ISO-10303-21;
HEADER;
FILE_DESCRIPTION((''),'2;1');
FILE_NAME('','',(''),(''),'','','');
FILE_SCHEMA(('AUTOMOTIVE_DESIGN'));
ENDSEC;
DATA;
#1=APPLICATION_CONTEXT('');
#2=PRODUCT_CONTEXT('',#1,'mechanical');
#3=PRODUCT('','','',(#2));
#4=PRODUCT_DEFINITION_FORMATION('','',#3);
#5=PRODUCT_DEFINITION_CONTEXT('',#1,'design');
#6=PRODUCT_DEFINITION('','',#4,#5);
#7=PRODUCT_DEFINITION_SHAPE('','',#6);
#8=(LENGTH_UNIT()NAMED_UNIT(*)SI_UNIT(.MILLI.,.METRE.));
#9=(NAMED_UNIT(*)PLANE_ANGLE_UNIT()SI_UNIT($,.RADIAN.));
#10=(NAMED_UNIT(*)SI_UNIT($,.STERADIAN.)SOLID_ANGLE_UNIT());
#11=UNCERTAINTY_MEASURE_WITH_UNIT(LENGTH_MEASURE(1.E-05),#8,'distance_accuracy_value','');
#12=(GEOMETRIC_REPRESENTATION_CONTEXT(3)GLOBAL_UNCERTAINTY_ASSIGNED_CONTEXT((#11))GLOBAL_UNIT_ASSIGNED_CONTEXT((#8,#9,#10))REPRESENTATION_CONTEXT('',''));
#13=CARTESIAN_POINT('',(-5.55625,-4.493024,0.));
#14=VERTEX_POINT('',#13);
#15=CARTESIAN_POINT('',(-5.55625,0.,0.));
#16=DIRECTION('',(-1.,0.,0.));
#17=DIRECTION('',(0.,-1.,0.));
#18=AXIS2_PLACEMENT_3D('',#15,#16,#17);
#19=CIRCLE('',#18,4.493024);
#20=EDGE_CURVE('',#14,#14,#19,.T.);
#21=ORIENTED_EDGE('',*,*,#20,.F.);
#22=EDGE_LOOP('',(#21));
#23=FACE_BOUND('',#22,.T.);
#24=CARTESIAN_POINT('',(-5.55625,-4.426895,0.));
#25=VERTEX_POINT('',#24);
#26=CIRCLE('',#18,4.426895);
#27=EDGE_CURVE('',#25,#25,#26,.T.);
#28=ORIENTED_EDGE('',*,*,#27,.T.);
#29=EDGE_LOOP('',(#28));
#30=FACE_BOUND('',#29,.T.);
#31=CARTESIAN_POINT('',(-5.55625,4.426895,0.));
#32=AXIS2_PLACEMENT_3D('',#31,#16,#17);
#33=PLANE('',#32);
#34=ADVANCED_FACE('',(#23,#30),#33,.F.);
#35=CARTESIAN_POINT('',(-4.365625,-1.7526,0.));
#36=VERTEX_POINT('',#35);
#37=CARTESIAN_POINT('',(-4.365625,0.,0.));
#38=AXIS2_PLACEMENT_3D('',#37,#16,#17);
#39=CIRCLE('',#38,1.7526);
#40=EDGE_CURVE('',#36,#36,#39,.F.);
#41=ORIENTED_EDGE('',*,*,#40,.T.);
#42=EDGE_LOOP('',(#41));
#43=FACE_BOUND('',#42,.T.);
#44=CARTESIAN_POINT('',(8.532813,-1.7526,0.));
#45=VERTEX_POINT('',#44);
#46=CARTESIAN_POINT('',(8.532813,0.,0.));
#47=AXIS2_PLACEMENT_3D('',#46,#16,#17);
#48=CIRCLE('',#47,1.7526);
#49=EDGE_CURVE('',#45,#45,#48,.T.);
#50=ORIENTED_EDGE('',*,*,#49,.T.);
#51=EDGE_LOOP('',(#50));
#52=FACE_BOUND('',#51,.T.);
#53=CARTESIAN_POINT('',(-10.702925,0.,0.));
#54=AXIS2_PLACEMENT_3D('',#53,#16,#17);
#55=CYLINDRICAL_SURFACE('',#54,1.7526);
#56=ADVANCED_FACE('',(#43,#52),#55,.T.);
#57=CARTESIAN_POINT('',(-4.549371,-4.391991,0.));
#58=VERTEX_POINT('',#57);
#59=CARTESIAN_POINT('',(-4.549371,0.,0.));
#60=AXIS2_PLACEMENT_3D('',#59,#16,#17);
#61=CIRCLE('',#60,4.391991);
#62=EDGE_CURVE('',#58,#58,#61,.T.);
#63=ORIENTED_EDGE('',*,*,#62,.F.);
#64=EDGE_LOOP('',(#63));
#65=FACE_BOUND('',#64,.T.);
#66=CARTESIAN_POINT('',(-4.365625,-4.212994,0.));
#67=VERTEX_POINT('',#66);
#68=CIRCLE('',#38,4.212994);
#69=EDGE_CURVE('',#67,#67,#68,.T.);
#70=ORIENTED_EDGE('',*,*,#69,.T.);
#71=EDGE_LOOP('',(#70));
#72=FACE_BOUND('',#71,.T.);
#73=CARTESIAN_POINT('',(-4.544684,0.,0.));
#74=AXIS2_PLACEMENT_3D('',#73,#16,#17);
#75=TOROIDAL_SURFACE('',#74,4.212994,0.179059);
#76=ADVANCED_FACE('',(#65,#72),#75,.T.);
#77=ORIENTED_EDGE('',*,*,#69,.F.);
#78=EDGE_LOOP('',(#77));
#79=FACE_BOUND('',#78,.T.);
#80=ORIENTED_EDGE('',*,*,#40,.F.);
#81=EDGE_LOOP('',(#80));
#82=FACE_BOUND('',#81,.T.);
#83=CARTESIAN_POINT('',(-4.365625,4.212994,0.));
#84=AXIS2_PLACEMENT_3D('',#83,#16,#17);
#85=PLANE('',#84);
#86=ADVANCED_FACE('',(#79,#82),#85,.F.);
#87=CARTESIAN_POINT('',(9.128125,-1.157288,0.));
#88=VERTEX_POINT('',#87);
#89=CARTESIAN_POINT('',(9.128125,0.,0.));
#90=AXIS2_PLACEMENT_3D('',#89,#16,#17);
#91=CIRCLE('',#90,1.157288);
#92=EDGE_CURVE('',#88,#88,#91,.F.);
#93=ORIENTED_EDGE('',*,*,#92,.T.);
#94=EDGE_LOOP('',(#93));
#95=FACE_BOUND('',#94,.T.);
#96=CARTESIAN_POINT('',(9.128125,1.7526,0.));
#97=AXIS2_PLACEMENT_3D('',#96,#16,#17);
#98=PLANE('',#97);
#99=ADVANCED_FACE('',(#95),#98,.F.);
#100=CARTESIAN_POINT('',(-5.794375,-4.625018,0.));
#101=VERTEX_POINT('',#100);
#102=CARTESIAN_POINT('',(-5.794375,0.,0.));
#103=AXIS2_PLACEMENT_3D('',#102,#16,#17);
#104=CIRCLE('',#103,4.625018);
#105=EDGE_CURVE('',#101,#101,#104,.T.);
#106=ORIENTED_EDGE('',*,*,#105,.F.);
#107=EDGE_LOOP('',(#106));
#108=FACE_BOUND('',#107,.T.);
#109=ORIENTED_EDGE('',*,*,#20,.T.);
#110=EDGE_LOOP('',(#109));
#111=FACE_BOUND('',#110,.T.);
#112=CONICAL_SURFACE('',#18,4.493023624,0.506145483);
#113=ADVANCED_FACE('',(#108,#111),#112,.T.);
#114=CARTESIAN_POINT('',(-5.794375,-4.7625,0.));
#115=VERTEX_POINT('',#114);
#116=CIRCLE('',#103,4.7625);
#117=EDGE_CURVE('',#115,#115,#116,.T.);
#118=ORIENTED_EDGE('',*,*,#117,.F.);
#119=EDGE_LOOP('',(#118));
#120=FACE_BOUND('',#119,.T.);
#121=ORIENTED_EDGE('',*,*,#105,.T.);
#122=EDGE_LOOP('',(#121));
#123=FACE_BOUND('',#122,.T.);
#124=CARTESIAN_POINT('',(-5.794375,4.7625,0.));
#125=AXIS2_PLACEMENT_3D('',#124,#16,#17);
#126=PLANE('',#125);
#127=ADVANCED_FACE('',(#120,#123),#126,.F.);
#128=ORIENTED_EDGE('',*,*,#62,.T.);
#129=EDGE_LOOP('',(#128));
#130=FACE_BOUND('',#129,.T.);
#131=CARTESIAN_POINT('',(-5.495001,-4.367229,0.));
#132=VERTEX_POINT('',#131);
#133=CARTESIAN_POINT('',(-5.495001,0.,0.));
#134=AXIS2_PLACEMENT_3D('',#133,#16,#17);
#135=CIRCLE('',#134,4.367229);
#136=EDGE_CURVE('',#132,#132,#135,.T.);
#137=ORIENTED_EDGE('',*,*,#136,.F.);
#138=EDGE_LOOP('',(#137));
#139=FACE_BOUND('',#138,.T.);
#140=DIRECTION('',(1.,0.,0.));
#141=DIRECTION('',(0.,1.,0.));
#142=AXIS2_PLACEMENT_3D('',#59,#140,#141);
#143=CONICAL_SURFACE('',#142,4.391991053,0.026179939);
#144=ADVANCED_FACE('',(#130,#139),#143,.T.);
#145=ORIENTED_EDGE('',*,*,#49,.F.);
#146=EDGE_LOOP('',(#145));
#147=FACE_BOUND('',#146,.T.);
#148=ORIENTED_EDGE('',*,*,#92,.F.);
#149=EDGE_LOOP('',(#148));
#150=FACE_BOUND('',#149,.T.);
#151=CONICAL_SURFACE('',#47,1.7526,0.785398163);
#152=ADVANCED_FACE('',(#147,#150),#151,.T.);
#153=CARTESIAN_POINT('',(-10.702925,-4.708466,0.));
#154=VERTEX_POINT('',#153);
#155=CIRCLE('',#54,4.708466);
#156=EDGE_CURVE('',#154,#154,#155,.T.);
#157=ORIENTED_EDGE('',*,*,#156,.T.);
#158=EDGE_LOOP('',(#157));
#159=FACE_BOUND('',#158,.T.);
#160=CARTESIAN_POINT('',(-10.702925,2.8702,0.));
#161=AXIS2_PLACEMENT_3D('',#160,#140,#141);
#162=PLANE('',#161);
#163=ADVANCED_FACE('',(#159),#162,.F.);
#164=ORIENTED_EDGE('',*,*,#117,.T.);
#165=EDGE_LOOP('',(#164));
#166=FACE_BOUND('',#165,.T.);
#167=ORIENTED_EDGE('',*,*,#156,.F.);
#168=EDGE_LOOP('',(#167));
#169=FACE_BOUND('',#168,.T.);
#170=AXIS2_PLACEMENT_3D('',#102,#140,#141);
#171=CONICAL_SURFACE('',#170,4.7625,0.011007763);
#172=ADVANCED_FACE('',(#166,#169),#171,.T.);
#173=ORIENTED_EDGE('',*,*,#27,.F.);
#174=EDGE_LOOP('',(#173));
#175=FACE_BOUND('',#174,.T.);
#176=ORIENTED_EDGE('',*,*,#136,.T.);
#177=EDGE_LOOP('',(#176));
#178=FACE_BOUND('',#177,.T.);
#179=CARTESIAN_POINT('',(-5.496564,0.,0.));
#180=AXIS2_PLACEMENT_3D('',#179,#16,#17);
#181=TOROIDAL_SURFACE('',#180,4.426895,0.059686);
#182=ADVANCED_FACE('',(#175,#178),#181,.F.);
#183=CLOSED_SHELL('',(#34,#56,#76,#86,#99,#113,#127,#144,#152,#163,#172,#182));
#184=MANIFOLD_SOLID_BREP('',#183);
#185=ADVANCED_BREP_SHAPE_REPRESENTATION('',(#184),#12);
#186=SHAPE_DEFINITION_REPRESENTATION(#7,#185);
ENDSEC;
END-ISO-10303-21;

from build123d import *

# Parameters (mm, degrees)
CHAMFER2_SIZE = 0.5953125


with BuildPart() as part:
    # Sketch3 → Revolve1 (revolve)
    with BuildSketch(Plane.XY):
        with BuildLine():
            Line((-10.702925, 2.8702), (-10.702925, 4.708465665))
            Line((-10.702925, 4.708465665), (-5.794375, 4.7625))
            Line((-5.794375, 4.7625), (-5.794375, 4.625018467))
            Line((-5.794375, 4.625018467), (-5.55625, 4.493023624))
            Line((-5.55625, 4.493023624), (-5.55625, 4.42689468))
            ThreePointArc((-5.55625, 4.42689468), (-5.538212237, 4.384141282), (-5.495001316, 4.367228853))
            Line((-5.495001316, 4.367228853), (-4.549371052, 4.391991053))
            ThreePointArc((-4.549371052, 4.391991053), (-4.419738289, 4.341253768), (-4.365625, 4.212993574))
            Line((-4.365625, 4.212993574), (-4.365625, 1.575604266))
            Line((-4.365625, 1.575604266), (-5.622925, 1.575604266))
            Line((-5.622925, 1.575604266), (-5.622925, 2.8702))
            Line((-5.622925, 2.8702), (-10.702925, 2.8702))
        make_face()
    revolve(axis=Axis((-9.128125, 0, 0), (1, 0, 0)))

    # Sketch4 → Revolve2 (revolve)
    with BuildSketch(Plane.XY):
        Polygon((-10.702925, 2.8702), (-5.622925, 2.8702), (-5.622925, 1.7526), (9.128125, 1.7526), (9.128125, 0), (-10.702925, 0), align=None)
    revolve(axis=Axis((-10.702925, 0, 0), (1, 0, 0)))

    # Chamfer2
    chamfer2_edges = [part.edges().sort_by_distance(p)[0] for p in [
        (9.128125, -1.7526, 0),
    ]]
    chamfer(chamfer2_edges, length=CHAMFER2_SIZE)


solid = part.part
